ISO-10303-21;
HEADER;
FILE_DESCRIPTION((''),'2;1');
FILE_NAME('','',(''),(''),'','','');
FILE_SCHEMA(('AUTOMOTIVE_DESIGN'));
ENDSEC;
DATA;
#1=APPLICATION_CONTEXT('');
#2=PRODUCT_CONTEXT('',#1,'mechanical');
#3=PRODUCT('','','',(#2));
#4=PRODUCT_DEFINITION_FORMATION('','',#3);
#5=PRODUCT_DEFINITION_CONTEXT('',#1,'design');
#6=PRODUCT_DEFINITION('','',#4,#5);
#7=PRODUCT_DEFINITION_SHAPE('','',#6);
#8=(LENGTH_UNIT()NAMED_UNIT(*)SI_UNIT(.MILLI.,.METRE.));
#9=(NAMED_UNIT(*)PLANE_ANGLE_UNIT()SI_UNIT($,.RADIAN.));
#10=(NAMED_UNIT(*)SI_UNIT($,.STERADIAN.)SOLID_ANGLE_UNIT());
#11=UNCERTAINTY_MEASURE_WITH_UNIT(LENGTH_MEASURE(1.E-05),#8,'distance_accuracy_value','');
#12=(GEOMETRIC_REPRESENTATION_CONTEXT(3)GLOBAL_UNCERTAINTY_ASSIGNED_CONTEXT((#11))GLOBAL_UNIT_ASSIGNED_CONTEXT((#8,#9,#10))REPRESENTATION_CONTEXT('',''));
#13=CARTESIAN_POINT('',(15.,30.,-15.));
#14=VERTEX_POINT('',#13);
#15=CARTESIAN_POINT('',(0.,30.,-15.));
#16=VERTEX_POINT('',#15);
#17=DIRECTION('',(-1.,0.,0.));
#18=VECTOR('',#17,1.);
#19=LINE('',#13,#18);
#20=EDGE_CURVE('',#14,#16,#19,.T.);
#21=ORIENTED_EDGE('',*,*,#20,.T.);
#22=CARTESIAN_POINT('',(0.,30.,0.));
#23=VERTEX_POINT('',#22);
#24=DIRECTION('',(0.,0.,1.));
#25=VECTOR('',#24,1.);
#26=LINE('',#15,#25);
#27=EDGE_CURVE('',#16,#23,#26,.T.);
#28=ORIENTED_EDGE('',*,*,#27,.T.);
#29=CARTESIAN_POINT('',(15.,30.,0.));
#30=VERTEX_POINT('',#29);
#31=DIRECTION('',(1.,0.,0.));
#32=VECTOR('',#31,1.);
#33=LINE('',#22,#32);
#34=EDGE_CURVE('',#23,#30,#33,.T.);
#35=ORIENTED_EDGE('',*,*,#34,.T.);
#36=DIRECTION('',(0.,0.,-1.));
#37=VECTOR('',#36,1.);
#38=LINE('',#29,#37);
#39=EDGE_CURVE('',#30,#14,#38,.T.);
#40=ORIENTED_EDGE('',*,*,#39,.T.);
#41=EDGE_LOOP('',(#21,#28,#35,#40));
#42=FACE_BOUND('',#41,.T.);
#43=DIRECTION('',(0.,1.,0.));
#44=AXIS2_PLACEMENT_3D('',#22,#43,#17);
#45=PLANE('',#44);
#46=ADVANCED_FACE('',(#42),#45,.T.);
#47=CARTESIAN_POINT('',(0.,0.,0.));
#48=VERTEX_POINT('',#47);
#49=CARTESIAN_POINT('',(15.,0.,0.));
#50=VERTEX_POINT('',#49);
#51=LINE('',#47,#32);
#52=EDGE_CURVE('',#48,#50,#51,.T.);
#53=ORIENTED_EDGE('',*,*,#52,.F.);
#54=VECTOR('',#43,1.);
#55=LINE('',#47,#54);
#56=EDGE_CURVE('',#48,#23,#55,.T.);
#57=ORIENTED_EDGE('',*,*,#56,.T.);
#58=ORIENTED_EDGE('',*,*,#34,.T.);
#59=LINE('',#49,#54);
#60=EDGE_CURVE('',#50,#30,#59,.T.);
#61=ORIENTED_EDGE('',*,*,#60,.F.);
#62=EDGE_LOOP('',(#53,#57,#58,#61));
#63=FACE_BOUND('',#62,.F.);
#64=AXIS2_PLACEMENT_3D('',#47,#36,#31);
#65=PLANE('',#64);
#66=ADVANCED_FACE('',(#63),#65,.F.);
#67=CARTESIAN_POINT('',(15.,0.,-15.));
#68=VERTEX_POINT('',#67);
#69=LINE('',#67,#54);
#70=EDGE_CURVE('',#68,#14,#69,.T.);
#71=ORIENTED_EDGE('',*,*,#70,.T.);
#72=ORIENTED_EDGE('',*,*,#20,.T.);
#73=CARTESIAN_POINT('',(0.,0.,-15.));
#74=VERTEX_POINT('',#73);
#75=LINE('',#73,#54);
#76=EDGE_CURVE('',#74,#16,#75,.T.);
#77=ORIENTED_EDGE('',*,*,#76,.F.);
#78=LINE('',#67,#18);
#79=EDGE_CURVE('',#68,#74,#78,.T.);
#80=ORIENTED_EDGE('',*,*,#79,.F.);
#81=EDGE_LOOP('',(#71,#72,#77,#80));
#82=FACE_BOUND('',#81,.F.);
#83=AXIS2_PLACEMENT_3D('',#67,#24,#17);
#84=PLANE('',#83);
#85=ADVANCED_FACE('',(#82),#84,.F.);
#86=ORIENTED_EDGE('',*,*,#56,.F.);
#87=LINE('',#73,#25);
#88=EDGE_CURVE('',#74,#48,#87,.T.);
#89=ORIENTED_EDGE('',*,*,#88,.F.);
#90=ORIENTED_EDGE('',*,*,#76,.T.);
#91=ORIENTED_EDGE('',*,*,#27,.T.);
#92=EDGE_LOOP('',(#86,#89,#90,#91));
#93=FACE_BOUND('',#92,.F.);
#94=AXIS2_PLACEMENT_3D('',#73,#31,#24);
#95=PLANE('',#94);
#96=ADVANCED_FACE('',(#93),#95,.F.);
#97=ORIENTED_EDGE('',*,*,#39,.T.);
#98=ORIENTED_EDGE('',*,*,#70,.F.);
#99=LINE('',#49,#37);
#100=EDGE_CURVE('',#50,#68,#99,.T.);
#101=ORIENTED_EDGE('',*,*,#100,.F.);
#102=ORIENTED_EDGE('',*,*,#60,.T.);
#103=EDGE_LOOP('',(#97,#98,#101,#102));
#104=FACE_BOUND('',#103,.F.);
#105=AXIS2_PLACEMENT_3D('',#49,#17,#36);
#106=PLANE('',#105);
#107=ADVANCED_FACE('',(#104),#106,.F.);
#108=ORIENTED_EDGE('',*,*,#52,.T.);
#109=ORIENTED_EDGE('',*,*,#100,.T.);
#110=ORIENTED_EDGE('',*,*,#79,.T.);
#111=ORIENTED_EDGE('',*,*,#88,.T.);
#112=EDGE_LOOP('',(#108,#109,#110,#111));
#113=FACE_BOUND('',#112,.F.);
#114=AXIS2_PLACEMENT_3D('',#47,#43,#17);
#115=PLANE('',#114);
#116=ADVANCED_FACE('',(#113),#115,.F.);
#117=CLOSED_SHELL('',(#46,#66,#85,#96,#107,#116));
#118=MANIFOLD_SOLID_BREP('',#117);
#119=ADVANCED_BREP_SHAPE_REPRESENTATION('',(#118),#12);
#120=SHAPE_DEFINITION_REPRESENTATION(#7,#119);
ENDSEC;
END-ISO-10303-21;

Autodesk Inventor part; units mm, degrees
ref_plane "YZ Plane" through (0, 0, 0) normal (1, 0, 0) x (0, 1, 0)
ref_plane "XZ Plane" through (0, 0, 0) normal (0, 1, 0) x (-1, 0, 0)
ref_plane "XY Plane" through (0, 0, 0) normal (0, 0, 1) x (1, 0, 0)
sketch "Boceto1" plane through (0, 0, 0) normal (0, 1, 0) x (-1, 0, 0)
  line L0 (0, 0) -> (-15, 0)
  line L1 (-15, 0) -> (-15, -15)
  line L2 (-15, -15) -> (0, -15)
  line L3 (0, -15) -> (0, 0)
  dimension "d1" = 15
  dimension "d2" = 15
extrude "Extrusión1" add sketch "Boceto1" along normal blind 30
properties part number "Detector fil - superior"
